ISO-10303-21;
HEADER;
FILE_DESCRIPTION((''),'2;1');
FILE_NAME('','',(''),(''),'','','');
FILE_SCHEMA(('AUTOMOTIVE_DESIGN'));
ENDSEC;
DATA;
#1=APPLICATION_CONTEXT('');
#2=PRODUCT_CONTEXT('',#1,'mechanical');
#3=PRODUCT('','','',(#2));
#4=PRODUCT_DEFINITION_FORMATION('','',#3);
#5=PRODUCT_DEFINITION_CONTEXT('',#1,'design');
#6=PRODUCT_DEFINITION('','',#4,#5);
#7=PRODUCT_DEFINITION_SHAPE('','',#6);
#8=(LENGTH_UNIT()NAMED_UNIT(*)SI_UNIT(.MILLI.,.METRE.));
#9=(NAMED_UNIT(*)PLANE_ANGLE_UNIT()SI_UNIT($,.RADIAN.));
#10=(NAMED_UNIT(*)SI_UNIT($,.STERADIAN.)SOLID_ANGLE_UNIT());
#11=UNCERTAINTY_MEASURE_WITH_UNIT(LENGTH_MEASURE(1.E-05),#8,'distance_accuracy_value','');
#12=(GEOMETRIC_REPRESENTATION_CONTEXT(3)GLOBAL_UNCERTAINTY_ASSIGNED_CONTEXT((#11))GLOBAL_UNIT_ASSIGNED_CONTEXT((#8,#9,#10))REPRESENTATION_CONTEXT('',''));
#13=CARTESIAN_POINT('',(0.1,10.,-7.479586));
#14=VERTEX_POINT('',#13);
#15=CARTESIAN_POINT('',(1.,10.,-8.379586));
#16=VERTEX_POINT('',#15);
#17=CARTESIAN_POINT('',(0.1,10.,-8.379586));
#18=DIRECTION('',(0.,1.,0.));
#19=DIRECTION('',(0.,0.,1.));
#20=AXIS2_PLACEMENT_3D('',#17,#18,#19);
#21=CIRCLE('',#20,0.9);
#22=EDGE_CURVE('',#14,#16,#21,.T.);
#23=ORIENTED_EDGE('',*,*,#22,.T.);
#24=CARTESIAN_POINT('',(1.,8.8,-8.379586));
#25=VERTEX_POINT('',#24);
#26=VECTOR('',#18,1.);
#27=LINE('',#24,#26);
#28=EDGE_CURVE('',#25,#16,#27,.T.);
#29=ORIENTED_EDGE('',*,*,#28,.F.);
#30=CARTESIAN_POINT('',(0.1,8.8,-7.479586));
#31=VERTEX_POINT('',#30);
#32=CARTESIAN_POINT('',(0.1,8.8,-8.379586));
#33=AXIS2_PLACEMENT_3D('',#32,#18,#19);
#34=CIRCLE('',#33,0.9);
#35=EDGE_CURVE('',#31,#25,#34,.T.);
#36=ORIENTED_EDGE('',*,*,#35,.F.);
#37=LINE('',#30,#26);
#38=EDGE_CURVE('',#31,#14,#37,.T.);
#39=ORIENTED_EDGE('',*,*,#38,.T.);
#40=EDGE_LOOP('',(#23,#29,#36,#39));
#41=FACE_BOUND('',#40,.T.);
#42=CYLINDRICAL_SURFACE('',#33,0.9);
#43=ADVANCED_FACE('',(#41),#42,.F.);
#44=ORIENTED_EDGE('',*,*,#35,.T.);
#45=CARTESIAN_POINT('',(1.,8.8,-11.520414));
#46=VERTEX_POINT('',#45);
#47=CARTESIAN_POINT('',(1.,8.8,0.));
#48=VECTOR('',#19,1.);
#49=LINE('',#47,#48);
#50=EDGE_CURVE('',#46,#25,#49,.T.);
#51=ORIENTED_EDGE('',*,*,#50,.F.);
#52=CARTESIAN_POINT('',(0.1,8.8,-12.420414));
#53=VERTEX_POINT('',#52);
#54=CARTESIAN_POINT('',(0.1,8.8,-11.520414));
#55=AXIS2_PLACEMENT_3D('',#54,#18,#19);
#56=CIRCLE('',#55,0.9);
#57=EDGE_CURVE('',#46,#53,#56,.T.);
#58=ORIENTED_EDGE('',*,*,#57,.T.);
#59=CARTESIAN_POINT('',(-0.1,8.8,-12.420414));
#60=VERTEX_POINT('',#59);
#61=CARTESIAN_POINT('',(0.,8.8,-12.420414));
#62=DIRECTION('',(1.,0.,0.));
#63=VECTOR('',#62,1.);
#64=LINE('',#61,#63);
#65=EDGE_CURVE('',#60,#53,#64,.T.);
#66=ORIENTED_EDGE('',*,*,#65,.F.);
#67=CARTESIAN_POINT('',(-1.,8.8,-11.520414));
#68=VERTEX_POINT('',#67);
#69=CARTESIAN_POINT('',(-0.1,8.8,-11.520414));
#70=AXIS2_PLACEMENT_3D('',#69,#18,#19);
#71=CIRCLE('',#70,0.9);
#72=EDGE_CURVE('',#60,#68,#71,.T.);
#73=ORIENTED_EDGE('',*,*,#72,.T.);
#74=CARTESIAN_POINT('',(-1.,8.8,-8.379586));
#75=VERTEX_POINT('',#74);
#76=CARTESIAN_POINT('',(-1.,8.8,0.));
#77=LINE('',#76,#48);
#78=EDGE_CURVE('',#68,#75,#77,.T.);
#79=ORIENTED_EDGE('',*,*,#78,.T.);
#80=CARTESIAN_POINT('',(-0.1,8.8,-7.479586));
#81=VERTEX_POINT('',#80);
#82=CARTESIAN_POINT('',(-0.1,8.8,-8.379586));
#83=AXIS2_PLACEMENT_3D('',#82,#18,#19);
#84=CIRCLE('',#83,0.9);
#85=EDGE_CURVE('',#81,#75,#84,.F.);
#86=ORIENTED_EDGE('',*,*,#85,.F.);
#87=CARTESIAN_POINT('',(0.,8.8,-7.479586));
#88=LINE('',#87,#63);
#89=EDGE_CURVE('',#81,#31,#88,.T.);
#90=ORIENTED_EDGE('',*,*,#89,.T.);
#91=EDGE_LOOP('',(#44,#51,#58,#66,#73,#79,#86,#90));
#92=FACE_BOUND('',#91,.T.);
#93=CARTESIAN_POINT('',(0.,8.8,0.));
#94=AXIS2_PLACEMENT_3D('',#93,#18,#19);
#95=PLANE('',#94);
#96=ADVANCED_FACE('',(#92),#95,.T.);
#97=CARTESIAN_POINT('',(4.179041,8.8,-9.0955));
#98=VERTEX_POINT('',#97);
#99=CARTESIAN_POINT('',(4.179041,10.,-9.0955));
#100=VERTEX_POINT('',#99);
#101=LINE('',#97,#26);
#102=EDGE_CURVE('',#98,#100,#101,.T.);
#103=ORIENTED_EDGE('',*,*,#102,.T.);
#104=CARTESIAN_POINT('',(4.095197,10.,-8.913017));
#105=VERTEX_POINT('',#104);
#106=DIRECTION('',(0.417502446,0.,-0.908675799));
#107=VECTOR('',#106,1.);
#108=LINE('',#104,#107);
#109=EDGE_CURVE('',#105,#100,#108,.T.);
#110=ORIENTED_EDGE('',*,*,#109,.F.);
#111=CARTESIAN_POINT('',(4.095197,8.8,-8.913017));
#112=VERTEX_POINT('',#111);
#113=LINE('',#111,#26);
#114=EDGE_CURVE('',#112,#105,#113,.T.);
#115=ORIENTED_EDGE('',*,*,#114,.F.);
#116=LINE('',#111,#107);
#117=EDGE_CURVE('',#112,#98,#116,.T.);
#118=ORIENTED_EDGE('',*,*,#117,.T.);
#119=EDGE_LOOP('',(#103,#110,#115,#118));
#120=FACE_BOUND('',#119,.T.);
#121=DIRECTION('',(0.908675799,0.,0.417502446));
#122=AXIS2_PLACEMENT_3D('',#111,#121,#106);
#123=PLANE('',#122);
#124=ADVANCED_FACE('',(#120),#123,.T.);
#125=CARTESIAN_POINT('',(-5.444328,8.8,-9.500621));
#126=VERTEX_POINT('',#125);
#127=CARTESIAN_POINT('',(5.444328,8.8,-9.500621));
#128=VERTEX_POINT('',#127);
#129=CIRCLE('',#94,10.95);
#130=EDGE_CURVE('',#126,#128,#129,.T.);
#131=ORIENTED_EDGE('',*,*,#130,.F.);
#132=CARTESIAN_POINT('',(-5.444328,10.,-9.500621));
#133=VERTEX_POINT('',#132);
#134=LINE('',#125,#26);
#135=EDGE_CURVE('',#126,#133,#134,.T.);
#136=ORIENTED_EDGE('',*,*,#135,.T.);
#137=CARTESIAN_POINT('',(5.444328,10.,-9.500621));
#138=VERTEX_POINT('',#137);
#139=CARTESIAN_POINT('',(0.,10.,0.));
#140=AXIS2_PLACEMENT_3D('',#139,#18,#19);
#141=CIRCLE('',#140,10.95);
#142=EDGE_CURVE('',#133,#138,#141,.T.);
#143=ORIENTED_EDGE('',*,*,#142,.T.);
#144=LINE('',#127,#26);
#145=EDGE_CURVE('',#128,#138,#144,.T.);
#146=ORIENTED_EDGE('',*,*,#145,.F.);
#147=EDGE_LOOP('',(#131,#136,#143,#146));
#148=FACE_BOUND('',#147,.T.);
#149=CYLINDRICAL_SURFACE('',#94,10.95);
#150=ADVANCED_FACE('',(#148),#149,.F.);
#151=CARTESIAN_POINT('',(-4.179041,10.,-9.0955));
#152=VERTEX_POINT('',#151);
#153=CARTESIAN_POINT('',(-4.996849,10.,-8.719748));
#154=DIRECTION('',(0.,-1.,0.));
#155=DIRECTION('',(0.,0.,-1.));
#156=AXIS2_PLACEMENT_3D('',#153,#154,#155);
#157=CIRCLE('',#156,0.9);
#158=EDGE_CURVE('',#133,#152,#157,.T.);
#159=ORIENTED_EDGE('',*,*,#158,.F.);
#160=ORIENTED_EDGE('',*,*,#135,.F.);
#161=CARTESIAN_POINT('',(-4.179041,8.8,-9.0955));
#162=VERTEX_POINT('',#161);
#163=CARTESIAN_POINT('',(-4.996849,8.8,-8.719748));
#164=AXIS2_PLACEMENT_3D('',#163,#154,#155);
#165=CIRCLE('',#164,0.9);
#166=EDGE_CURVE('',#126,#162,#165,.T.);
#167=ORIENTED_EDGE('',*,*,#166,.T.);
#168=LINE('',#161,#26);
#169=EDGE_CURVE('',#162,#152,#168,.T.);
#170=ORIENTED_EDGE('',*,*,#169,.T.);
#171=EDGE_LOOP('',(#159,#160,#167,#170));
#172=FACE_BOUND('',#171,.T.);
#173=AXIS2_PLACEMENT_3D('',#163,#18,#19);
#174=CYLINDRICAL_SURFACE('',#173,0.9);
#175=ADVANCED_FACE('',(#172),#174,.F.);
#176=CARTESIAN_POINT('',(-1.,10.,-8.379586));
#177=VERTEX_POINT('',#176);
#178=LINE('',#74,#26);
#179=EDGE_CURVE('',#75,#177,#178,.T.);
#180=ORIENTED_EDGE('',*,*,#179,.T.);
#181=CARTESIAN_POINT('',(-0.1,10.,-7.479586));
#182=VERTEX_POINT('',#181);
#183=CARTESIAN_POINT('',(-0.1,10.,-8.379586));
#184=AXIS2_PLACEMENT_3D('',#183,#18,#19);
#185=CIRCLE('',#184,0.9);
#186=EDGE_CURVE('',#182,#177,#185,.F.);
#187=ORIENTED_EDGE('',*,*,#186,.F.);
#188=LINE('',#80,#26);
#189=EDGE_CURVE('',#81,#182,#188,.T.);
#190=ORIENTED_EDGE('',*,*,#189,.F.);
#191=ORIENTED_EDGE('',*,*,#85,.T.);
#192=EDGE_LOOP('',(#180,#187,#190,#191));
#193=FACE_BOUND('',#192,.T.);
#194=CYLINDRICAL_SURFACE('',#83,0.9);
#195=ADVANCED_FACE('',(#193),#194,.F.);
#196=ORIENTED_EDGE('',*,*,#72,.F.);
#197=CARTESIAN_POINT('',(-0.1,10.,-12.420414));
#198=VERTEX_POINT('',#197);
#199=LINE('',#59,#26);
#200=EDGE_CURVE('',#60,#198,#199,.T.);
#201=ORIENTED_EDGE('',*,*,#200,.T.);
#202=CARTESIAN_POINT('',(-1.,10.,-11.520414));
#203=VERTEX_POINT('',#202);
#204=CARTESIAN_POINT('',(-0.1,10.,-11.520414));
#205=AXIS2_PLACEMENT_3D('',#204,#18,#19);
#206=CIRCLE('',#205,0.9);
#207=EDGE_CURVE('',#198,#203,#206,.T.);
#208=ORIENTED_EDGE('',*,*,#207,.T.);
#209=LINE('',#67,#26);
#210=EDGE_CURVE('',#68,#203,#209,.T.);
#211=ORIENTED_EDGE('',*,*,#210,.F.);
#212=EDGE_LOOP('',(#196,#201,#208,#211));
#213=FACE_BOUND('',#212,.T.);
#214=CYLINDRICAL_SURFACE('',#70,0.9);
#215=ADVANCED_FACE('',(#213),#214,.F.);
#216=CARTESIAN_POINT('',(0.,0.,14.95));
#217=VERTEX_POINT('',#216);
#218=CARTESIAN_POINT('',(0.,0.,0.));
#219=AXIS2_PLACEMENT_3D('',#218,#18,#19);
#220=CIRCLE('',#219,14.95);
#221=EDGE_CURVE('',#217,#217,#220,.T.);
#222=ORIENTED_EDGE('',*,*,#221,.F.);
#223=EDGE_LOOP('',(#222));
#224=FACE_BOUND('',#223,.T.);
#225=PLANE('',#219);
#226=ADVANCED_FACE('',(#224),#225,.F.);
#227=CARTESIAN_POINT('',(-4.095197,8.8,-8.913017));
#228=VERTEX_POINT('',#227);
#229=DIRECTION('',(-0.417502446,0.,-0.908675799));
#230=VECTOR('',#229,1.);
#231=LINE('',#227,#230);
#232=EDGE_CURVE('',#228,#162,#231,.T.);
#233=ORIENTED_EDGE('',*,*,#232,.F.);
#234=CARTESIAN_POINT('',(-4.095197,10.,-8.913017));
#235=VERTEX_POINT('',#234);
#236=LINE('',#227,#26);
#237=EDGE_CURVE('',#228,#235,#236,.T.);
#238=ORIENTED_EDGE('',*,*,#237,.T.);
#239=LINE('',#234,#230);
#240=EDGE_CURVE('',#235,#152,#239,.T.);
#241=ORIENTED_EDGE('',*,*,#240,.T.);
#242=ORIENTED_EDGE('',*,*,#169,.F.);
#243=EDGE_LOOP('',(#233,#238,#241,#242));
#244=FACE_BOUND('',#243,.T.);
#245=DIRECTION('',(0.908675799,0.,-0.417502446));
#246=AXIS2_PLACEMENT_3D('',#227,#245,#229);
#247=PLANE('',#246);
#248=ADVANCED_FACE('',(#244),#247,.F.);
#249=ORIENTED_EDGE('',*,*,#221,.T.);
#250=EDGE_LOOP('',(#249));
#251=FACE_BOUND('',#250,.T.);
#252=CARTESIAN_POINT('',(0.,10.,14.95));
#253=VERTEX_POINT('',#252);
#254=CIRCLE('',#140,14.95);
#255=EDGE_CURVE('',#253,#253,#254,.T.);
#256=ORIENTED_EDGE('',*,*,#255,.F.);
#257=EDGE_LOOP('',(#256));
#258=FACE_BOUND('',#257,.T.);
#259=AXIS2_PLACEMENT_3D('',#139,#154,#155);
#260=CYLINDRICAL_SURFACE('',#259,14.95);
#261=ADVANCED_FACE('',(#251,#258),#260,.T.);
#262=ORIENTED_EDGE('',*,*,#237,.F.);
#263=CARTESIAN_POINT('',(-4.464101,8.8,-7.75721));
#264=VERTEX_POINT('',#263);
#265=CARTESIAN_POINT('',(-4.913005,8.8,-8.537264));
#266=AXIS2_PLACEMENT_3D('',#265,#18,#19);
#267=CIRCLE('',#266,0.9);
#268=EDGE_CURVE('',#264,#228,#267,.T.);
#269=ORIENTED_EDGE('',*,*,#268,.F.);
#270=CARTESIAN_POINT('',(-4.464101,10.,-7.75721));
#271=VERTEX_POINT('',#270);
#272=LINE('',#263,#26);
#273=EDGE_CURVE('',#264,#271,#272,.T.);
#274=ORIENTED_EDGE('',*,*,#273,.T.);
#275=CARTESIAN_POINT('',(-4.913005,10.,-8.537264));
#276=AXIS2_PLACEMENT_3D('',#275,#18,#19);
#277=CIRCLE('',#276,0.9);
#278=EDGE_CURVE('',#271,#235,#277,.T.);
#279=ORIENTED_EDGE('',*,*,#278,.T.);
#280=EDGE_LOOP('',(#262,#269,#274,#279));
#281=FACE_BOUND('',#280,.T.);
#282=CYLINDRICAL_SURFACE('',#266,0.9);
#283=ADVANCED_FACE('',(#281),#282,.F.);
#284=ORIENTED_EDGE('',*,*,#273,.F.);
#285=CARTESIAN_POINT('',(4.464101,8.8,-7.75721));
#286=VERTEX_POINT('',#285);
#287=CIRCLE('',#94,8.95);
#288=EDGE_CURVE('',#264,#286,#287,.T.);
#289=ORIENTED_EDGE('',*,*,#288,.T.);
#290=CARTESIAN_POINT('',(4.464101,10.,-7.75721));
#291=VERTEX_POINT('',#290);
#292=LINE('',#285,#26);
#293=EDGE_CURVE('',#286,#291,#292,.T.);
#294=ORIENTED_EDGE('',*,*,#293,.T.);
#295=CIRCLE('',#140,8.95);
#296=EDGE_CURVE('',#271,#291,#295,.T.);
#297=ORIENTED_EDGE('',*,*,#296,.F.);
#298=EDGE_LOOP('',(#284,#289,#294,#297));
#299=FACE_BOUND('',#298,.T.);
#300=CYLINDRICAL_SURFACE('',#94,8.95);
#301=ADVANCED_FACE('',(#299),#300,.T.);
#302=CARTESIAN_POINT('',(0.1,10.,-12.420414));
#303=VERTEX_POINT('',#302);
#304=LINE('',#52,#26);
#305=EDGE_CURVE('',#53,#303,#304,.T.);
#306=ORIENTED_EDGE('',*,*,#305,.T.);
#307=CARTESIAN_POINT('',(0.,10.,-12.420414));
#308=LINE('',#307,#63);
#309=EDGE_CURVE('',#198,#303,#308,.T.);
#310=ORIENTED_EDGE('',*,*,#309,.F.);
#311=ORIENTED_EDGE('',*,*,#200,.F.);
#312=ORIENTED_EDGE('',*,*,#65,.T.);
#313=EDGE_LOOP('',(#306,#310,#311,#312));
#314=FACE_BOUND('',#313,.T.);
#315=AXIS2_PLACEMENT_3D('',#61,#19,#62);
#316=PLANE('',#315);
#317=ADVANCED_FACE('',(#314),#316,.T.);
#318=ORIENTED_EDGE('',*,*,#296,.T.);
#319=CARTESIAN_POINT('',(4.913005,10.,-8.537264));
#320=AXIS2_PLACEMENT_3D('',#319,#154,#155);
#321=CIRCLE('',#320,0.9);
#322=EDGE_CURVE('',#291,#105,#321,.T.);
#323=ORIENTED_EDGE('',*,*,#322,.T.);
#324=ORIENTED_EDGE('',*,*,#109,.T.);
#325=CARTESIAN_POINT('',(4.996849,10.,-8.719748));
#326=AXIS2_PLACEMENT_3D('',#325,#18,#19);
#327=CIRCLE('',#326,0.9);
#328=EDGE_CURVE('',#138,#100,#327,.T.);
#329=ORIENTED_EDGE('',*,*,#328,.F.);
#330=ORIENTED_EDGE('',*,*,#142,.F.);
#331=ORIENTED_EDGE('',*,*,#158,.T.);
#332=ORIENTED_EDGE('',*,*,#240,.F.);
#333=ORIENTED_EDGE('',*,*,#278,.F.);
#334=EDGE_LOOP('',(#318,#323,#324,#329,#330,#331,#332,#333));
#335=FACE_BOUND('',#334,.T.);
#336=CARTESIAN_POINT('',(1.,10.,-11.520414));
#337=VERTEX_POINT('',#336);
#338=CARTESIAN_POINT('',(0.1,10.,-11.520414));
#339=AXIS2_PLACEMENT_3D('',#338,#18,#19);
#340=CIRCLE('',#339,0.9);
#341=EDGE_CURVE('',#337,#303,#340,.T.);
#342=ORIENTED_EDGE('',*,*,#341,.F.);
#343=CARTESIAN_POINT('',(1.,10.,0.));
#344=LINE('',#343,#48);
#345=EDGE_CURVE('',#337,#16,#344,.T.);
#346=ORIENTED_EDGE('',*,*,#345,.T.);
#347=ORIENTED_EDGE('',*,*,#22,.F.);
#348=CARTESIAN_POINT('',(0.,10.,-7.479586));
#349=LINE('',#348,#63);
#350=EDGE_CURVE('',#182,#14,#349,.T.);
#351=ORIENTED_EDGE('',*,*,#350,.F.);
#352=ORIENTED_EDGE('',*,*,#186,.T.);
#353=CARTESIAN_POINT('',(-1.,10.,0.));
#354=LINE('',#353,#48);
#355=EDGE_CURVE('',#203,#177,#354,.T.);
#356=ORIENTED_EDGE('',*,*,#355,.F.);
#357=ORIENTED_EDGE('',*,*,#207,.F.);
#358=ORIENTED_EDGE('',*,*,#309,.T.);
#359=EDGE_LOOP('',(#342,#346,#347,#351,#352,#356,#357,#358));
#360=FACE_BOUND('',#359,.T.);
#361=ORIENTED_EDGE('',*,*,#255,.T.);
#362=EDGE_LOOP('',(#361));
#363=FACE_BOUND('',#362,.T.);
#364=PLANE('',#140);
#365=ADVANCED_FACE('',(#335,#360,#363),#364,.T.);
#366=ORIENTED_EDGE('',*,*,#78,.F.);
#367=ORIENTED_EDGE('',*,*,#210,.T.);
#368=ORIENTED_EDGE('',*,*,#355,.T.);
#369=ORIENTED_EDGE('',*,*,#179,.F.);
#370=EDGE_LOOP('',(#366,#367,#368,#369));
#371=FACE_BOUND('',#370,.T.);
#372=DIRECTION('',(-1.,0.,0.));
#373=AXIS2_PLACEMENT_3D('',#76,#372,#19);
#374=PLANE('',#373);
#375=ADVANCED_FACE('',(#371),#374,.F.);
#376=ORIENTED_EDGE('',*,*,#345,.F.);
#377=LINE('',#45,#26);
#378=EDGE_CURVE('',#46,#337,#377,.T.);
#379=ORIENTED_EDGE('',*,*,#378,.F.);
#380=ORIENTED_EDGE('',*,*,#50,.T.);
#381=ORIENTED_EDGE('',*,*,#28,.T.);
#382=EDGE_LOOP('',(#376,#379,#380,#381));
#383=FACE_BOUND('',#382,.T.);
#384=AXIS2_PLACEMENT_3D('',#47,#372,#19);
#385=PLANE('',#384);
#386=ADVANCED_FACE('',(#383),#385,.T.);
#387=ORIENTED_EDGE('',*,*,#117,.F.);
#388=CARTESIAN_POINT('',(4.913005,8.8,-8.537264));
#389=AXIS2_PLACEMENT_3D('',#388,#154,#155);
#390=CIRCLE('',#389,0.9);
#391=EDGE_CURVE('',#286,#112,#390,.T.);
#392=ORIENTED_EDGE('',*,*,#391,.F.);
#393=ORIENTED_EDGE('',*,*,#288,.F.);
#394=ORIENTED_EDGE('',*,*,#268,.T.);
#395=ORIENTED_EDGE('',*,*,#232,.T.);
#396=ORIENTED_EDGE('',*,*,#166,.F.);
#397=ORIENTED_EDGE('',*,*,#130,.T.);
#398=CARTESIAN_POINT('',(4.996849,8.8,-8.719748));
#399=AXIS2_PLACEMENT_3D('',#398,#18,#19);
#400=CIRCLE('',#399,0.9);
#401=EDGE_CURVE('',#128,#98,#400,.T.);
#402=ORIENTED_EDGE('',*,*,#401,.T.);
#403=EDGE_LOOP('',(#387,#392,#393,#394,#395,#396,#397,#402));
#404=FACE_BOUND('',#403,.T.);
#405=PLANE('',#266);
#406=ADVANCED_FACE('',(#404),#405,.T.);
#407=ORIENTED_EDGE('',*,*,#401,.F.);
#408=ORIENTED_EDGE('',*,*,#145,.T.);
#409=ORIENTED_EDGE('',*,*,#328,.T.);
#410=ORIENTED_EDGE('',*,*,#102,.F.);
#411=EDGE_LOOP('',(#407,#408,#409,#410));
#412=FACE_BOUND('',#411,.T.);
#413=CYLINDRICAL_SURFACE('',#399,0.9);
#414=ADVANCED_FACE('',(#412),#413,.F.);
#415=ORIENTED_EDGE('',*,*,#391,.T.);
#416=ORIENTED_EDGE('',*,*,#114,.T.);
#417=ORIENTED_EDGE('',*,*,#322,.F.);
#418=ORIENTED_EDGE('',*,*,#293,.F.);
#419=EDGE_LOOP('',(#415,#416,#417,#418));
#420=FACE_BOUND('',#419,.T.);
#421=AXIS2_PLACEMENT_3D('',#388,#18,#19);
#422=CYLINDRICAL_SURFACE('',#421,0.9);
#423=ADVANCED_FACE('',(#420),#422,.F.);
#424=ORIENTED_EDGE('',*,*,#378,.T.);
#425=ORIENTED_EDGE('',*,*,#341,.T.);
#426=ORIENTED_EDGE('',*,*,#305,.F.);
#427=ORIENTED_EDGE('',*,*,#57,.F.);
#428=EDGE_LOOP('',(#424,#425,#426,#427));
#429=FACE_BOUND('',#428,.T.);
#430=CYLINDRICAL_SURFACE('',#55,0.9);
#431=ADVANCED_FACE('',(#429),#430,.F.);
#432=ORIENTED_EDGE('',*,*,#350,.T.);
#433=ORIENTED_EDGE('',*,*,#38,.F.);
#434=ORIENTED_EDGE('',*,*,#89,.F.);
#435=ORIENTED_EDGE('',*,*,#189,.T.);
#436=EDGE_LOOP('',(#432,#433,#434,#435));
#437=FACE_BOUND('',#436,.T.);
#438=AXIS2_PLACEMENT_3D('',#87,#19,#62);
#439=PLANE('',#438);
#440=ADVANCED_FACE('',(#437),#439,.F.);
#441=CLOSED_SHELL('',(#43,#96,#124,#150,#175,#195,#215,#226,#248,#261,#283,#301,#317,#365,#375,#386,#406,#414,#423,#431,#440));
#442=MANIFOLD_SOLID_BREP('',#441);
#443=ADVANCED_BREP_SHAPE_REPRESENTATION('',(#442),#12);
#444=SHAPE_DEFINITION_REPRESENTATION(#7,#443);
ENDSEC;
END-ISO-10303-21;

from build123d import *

# Parameters (mm, degrees)
SKETCH1_R           = 14.95
BOSS_EXTRUDE1_DEPTH = 10
CUT_EXTRUDE1_DEPTH  = 1.2


with BuildPart() as part:
    # Sketch1 → Boss-Extrude1 (new body)
    with BuildSketch(Plane(origin=(0, 0, 0), x_dir=(1, 0, 0), z_dir=(0, 1, 0))):
        with Locations(Location((0, 0, 0), (0, 0, 270))):  # turned: the seam where the file's is
            Circle(SKETCH1_R)
    extrude(amount=BOSS_EXTRUDE1_DEPTH)

    # Sketch2 → Cut-Extrude1 (cut)
    with BuildSketch(Plane(origin=(0, 10, 0), x_dir=(1, 0, 0), z_dir=(0, 1, 0))):
        with BuildLine():
            ThreePointArc((1, 8.893958624), (0, 8.95), (-1, 8.893958624))
            Line((-1, 8.893958624), (-1, 8.379586094))
            ThreePointArc((-1, 8.379586094), (-0.736396103, 7.743189991), (-0.1, 7.479586094))
            Line((-0.1, 7.479586094), (0.1, 7.479586094))
            ThreePointArc((0.1, 7.479586094), (0.736396103, 7.743189991), (1, 8.379586094))
            Line((1, 8.379586094), (1, 8.893958624))
        make_face()
        with BuildLine():
            ThreePointArc((1, 10.904242294), (0, 10.95), (-1, 10.904242294))
            Line((-1, 10.904242294), (-1, 8.893958624))
            ThreePointArc((-1, 8.893958624), (0, 8.95), (1, 8.893958624))
            Line((1, 8.893958624), (1, 10.904242294))
        make_face()
        with BuildLine():
            Line((0.1, 12.420413906), (-0.1, 12.420413906))
            ThreePointArc((-0.1, 12.420413906), (-0.736396103, 12.156810009), (-1, 11.520413906))
            Line((-1, 11.520413906), (-1, 10.904242294))
            ThreePointArc((-1, 10.904242294), (0, 10.95), (1, 10.904242294))
            Line((1, 10.904242294), (1, 11.520413906))
            ThreePointArc((1, 11.520413906), (0.736396103, 12.156810009), (0.1, 12.420413906))
        make_face()
        with BuildLine():
            ThreePointArc((-4.464100977, 7.757209709), (0, -8.95), (4.464100977, 7.757209709))
            ThreePointArc((4.464100977, 7.757209709), (4.055618077, 8.263608167), (4.095196767, 8.913016517))
            Line((4.095196767, 8.913016517), (4.179040986, 9.09549979))
            ThreePointArc((4.179040986, 9.09549979), (4.722410459, 9.57688432), (5.444328238, 9.500620508))
            ThreePointArc((5.444328238, 9.500620508), (0, -10.95), (-5.444328238, 9.500620508))
            ThreePointArc((-5.444328238, 9.500620508), (-4.722410459, 9.57688432), (-4.179040986, 9.09549979))
            Line((-4.179040986, 9.09549979), (-4.095196767, 8.913016517))
            ThreePointArc((-4.095196767, 8.913016517), (-4.055618077, 8.263608167), (-4.464100977, 7.757209709))
        make_face()
    extrude(amount=-CUT_EXTRUDE1_DEPTH, mode=Mode.SUBTRACT)


solid = part.part
